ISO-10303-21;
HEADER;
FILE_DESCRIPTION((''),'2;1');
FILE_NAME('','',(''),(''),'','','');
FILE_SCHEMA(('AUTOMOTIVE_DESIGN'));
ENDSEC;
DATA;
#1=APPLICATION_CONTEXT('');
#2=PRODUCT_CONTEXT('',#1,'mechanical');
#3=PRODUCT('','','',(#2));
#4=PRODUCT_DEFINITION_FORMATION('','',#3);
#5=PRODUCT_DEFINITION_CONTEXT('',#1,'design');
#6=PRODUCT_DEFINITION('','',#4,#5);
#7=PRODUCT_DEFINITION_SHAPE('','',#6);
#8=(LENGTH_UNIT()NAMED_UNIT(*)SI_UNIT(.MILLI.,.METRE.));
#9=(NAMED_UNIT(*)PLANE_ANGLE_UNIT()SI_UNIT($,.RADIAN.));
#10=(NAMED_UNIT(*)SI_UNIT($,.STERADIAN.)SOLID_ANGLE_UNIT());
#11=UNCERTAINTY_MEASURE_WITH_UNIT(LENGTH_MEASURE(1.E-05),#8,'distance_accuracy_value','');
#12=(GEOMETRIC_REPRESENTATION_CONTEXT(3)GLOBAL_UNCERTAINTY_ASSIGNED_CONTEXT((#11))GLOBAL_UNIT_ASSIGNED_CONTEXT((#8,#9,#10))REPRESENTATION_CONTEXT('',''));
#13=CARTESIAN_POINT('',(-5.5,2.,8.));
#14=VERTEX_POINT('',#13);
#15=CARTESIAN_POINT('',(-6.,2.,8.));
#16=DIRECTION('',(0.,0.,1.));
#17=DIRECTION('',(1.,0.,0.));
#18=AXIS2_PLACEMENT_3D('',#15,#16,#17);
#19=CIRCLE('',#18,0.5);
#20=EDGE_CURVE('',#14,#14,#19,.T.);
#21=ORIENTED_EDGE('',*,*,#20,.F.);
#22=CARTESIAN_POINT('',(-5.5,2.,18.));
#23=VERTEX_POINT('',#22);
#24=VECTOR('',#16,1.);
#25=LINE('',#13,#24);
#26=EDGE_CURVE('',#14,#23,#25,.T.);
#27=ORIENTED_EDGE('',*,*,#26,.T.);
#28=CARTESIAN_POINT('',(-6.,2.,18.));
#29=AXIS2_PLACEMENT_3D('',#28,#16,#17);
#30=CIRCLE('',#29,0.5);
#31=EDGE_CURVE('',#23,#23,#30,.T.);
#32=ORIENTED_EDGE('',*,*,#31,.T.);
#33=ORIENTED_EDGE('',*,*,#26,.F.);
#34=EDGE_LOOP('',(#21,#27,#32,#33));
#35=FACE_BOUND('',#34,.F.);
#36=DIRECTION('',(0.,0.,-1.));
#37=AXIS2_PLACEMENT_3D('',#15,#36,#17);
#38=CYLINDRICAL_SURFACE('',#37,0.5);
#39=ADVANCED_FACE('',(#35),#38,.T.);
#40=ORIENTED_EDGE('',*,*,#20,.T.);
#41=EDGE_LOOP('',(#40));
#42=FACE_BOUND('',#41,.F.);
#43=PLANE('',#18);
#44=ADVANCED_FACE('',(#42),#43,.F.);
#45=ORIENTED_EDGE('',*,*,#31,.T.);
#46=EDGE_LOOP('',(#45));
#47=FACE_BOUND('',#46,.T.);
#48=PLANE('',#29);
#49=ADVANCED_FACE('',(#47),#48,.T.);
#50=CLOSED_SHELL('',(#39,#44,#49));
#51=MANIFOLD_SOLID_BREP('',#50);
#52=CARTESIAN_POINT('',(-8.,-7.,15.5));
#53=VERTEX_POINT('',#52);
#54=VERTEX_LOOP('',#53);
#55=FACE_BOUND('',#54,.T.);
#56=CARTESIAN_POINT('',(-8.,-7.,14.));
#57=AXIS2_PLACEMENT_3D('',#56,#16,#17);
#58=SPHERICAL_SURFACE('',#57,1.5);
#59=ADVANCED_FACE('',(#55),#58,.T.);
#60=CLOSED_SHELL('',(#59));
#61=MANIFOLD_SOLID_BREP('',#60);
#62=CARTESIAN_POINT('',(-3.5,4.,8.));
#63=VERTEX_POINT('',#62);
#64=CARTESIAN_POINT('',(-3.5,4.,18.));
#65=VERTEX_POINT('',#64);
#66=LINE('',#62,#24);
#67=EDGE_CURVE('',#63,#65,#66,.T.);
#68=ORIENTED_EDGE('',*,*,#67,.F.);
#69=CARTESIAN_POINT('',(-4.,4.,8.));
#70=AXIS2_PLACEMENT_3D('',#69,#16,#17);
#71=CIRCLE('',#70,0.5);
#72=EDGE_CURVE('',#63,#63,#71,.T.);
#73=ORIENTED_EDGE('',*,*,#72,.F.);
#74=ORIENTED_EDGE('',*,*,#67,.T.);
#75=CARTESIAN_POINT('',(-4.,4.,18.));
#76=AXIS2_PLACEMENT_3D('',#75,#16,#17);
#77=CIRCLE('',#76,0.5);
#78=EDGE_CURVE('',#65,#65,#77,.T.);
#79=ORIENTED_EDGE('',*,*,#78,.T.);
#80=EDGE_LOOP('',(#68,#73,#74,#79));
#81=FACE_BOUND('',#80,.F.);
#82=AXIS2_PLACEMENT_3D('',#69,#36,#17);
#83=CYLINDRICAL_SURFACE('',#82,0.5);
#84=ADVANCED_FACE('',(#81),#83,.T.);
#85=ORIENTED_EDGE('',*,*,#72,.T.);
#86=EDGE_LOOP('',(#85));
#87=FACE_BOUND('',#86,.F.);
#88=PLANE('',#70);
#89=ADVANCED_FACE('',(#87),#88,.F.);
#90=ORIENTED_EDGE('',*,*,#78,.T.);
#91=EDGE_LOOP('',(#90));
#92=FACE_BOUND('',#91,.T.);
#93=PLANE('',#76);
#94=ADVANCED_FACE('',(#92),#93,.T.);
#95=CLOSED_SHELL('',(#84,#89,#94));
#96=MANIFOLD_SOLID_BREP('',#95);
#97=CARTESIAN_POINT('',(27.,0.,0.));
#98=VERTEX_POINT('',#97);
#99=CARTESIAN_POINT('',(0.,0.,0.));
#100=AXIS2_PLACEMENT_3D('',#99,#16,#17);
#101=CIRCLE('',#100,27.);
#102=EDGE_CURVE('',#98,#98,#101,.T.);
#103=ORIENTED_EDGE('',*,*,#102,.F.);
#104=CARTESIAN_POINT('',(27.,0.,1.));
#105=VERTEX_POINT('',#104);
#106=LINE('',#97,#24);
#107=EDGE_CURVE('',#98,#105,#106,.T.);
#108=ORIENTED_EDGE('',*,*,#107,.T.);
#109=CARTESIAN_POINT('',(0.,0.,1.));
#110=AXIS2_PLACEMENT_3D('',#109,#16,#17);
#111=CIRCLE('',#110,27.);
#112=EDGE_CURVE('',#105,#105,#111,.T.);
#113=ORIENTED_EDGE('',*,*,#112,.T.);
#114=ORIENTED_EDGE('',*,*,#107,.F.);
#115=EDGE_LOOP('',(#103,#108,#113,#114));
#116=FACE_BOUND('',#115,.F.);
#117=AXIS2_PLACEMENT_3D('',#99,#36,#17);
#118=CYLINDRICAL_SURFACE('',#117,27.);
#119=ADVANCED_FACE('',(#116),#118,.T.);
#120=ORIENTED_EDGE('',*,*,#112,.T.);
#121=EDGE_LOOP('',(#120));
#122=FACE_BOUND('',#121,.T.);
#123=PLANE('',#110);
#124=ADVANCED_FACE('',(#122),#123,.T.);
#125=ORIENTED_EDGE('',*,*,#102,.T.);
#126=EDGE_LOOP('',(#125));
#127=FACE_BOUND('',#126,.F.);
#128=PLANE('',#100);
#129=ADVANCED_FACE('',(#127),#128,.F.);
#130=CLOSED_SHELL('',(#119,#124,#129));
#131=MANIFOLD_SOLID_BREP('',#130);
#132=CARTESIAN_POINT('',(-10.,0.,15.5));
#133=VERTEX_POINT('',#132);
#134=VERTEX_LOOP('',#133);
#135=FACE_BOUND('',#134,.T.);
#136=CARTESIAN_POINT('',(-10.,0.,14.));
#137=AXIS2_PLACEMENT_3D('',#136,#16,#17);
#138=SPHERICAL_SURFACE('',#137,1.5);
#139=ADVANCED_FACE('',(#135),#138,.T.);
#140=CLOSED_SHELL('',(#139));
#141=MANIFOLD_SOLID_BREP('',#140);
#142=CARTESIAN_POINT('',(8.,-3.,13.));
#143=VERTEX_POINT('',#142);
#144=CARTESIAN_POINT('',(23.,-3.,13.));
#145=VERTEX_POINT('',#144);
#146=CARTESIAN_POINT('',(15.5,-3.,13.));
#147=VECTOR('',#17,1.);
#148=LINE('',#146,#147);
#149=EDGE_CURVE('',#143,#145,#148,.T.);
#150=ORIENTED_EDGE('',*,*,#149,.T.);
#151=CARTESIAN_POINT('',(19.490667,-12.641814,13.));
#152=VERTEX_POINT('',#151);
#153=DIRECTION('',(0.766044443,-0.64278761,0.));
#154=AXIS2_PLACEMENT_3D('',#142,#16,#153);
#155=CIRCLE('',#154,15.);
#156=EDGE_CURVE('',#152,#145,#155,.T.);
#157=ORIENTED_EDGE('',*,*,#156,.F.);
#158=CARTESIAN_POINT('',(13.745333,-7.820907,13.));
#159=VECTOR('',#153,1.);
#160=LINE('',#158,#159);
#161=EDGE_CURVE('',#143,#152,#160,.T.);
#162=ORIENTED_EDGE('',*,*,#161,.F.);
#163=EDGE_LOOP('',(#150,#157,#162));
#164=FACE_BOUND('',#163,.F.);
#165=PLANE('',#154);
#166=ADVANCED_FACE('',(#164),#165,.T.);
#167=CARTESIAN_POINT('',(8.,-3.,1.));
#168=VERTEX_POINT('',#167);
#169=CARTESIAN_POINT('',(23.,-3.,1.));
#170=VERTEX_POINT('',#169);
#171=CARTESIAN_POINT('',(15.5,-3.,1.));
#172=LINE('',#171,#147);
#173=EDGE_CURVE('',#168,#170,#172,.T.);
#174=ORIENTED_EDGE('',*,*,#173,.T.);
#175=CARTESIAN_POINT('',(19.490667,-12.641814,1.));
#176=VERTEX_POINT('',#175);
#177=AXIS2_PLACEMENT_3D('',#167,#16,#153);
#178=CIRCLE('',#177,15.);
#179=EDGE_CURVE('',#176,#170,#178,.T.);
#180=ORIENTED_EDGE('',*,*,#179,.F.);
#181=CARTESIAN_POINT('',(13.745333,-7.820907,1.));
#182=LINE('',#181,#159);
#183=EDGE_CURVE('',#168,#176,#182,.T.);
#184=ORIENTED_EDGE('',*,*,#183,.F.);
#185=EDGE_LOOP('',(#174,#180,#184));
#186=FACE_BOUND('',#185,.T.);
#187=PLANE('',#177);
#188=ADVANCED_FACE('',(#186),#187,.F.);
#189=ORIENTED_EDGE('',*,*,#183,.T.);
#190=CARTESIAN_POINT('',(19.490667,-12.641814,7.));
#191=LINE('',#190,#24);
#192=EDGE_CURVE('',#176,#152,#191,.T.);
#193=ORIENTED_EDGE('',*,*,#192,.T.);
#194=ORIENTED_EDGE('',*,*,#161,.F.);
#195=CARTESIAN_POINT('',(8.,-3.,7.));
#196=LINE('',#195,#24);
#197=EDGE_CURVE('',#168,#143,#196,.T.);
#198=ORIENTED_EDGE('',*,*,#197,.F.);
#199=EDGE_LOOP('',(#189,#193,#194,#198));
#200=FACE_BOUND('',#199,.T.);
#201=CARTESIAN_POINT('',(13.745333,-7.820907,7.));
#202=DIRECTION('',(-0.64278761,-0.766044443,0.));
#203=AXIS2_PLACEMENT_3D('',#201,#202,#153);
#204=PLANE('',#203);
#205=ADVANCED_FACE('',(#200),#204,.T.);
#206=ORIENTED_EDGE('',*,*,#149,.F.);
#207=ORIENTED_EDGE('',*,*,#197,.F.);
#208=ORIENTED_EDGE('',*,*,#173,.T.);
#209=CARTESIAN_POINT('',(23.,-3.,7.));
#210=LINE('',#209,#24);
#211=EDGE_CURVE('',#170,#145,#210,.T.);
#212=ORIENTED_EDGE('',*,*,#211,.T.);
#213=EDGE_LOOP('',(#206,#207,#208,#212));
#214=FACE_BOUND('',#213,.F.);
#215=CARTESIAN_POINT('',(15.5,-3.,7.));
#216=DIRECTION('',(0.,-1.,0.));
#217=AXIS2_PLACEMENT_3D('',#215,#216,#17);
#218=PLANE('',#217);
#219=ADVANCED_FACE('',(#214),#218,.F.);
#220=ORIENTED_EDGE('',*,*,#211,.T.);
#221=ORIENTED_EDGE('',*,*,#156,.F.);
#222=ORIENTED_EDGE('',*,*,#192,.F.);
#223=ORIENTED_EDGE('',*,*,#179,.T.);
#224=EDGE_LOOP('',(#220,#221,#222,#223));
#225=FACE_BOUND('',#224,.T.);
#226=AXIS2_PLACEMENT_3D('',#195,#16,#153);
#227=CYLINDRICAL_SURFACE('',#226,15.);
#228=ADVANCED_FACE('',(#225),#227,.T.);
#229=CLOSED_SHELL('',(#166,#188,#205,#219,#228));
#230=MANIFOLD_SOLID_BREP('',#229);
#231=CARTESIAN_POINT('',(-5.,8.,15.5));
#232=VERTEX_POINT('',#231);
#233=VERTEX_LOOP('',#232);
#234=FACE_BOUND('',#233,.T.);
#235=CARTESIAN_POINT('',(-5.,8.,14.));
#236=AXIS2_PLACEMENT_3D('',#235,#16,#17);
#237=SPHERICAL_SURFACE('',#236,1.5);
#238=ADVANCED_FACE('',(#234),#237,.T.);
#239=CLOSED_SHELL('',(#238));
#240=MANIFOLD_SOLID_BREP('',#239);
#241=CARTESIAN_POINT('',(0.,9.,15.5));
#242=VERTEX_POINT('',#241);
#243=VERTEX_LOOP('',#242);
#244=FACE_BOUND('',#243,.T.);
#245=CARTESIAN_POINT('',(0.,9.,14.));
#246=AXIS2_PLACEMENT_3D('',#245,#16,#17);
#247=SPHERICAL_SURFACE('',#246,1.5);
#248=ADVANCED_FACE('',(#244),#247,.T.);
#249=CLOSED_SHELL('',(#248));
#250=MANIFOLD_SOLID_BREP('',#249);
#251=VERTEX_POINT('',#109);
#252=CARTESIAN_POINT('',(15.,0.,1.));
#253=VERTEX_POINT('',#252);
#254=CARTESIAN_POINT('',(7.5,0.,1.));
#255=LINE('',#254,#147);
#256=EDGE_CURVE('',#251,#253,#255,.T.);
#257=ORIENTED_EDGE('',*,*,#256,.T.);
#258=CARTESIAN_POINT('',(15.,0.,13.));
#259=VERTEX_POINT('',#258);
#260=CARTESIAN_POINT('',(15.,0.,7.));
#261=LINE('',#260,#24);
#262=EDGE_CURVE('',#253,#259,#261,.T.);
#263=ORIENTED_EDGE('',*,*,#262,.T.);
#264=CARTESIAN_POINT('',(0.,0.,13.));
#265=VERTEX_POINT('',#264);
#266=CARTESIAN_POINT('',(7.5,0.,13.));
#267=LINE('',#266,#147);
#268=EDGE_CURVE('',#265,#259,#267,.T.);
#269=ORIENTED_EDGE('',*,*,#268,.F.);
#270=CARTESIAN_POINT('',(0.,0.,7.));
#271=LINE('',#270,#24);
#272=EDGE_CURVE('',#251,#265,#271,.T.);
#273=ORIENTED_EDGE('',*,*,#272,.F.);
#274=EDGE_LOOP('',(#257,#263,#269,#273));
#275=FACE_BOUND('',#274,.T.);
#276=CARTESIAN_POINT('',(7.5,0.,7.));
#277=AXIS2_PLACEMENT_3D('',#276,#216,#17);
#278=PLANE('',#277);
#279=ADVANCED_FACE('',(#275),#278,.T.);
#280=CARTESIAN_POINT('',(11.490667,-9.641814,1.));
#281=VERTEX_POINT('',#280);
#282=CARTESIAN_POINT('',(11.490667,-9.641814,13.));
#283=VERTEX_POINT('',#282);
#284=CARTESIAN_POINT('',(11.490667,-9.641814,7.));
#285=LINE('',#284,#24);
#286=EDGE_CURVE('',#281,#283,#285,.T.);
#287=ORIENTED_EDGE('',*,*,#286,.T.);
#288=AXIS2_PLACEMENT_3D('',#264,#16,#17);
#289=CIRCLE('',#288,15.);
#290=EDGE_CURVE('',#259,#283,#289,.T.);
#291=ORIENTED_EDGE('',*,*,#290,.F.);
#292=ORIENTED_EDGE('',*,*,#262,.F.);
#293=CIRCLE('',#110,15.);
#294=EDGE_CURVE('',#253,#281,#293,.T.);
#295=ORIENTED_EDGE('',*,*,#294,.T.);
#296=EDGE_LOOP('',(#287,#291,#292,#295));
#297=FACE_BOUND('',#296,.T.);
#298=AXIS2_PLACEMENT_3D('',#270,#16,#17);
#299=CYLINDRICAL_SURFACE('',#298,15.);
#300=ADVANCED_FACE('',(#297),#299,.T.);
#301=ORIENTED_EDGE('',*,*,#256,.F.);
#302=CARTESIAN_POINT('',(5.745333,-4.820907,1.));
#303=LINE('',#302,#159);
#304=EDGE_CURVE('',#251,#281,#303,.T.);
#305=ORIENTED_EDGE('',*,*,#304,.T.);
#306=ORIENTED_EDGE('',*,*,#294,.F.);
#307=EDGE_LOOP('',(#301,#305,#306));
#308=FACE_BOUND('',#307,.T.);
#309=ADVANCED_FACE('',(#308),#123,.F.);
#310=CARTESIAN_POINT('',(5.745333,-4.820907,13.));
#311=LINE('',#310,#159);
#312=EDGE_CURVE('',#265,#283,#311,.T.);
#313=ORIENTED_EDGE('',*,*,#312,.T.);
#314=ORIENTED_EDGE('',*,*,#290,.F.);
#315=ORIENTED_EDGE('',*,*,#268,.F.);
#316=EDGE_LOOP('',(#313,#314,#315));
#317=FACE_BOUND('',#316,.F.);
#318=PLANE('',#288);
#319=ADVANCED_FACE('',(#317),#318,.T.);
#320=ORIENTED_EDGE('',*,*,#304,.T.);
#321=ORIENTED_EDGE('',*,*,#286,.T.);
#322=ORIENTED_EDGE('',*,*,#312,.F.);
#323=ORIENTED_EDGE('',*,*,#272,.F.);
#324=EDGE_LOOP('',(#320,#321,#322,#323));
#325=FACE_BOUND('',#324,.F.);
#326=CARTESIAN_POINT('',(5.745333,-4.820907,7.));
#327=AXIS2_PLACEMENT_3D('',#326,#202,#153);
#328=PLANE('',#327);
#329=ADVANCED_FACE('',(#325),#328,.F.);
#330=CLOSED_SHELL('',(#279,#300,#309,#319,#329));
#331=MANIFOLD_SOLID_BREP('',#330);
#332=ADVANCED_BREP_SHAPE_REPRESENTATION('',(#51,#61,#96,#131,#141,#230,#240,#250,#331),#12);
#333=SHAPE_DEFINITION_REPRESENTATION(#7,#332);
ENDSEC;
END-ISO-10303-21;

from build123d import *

# Parameters (mm, degrees)
CYLINDER_W                  = 15
CYLINDER_H                  = 12
CYLINDER_ANGLE              = 320
CYLINDER001_W               = 15
CYLINDER001_H               = 12
CYLINDER001_ANGLE           = 40
CYLINDER001_PLACEMENT_ANGLE = 320
CYLINDER002_R               = 27
CYLINDER002_DEPTH           = 1
CYLINDER003_R               = 0.5
CYLINDER003_DEPTH           = 10
CYLINDER004_R               = 0.5
CYLINDER004_DEPTH           = 10


with BuildPart() as tarta:
    # Cylinder → Cylinder (revolve)
    with BuildSketch(Plane(origin=(0, 0, 1), x_dir=(1, 0, 0), z_dir=(0, -1, 0))):
        with Locations((7.5, 6)):
            Rectangle(CYLINDER_W, CYLINDER_H)
    revolve(axis=Axis((0, 0, 1), (0, 0, 1)), revolution_arc=CYLINDER_ANGLE)


with BuildPart() as porcion:
    # Cylinder001 → Cylinder001 (revolve)
    with BuildSketch(Plane.XZ):
        with Locations((7.5, 6)):
            Rectangle(CYLINDER001_W, CYLINDER001_H)
    revolve(axis=Axis((0, 0, 0), (0, 0, 1)), revolution_arc=CYLINDER001_ANGLE)


with BuildPart() as porcion_1:
    # Cylinder001 placement: moved
    add(porcion.part.moved(Location((8, -3, 1))).rotate(Axis((8, -3, 1), (0, 0, 1)), CYLINDER001_PLACEMENT_ANGLE))


with BuildPart() as plato:
    # Cylinder002 → Cylinder002 (new body)
    with BuildSketch(Plane.XY):
        Circle(CYLINDER002_R)
    extrude(amount=CYLINDER002_DEPTH)


with BuildPart() as guinda1:
    # Sphere → Sphere (revolve)
    with BuildSketch(Plane(origin=(-10, 0, 14), x_dir=(1, 0, 0), z_dir=(0, -1, 0))):
        with BuildLine():
            ThreePointArc((0, -1.5), (1.5, 0), (0, 1.5))
            Line((0, 1.5), (0, -1.5))
        make_face()
    revolve(axis=Axis((-10, 0, 14), (0, 0, 1)))


with BuildPart() as sphere001:
    # Sphere001 → Sphere001 (revolve)
    with BuildSketch(Plane(origin=(0, 9, 14), x_dir=(1, 0, 0), z_dir=(0, -1, 0))):
        with BuildLine():
            ThreePointArc((0, -1.5), (1.5, 0), (0, 1.5))
            Line((0, 1.5), (0, -1.5))
        make_face()
    revolve(axis=Axis((0, 9, 14), (0, 0, 1)))


with BuildPart() as sphere002:
    # Sphere002 → Sphere002 (revolve)
    with BuildSketch(Plane(origin=(-5, 8, 14), x_dir=(1, 0, 0), z_dir=(0, -1, 0))):
        with BuildLine():
            ThreePointArc((0, -1.5), (1.5, 0), (0, 1.5))
            Line((0, 1.5), (0, -1.5))
        make_face()
    revolve(axis=Axis((-5, 8, 14), (0, 0, 1)))


with BuildPart() as sphere003:
    # Sphere003 → Sphere003 (revolve)
    with BuildSketch(Plane(origin=(-8, -7, 14), x_dir=(1, 0, 0), z_dir=(0, -1, 0))):
        with BuildLine():
            ThreePointArc((0, -1.5), (1.5, 0), (0, 1.5))
            Line((0, 1.5), (0, -1.5))
        make_face()
    revolve(axis=Axis((-8, -7, 14), (0, 0, 1)))


with BuildPart() as cylinder003:
    # Cylinder003 → Cylinder003 (new body)
    with BuildSketch(Plane(origin=(-4, 4, 8), x_dir=(1, 0, 0), z_dir=(0, 0, 1))):
        Circle(CYLINDER003_R)
    extrude(amount=CYLINDER003_DEPTH)


with BuildPart() as cylinder004:
    # Cylinder004 → Cylinder004 (new body)
    with BuildSketch(Plane(origin=(-6, 2, 8), x_dir=(1, 0, 0), z_dir=(0, 0, 1))):
        Circle(CYLINDER004_R)
    extrude(amount=CYLINDER004_DEPTH)


solid = Compound([tarta.part, porcion_1.part, plato.part, guinda1.part, sphere001.part, sphere002.part, sphere003.part, cylinder003.part, cylinder004.part])
